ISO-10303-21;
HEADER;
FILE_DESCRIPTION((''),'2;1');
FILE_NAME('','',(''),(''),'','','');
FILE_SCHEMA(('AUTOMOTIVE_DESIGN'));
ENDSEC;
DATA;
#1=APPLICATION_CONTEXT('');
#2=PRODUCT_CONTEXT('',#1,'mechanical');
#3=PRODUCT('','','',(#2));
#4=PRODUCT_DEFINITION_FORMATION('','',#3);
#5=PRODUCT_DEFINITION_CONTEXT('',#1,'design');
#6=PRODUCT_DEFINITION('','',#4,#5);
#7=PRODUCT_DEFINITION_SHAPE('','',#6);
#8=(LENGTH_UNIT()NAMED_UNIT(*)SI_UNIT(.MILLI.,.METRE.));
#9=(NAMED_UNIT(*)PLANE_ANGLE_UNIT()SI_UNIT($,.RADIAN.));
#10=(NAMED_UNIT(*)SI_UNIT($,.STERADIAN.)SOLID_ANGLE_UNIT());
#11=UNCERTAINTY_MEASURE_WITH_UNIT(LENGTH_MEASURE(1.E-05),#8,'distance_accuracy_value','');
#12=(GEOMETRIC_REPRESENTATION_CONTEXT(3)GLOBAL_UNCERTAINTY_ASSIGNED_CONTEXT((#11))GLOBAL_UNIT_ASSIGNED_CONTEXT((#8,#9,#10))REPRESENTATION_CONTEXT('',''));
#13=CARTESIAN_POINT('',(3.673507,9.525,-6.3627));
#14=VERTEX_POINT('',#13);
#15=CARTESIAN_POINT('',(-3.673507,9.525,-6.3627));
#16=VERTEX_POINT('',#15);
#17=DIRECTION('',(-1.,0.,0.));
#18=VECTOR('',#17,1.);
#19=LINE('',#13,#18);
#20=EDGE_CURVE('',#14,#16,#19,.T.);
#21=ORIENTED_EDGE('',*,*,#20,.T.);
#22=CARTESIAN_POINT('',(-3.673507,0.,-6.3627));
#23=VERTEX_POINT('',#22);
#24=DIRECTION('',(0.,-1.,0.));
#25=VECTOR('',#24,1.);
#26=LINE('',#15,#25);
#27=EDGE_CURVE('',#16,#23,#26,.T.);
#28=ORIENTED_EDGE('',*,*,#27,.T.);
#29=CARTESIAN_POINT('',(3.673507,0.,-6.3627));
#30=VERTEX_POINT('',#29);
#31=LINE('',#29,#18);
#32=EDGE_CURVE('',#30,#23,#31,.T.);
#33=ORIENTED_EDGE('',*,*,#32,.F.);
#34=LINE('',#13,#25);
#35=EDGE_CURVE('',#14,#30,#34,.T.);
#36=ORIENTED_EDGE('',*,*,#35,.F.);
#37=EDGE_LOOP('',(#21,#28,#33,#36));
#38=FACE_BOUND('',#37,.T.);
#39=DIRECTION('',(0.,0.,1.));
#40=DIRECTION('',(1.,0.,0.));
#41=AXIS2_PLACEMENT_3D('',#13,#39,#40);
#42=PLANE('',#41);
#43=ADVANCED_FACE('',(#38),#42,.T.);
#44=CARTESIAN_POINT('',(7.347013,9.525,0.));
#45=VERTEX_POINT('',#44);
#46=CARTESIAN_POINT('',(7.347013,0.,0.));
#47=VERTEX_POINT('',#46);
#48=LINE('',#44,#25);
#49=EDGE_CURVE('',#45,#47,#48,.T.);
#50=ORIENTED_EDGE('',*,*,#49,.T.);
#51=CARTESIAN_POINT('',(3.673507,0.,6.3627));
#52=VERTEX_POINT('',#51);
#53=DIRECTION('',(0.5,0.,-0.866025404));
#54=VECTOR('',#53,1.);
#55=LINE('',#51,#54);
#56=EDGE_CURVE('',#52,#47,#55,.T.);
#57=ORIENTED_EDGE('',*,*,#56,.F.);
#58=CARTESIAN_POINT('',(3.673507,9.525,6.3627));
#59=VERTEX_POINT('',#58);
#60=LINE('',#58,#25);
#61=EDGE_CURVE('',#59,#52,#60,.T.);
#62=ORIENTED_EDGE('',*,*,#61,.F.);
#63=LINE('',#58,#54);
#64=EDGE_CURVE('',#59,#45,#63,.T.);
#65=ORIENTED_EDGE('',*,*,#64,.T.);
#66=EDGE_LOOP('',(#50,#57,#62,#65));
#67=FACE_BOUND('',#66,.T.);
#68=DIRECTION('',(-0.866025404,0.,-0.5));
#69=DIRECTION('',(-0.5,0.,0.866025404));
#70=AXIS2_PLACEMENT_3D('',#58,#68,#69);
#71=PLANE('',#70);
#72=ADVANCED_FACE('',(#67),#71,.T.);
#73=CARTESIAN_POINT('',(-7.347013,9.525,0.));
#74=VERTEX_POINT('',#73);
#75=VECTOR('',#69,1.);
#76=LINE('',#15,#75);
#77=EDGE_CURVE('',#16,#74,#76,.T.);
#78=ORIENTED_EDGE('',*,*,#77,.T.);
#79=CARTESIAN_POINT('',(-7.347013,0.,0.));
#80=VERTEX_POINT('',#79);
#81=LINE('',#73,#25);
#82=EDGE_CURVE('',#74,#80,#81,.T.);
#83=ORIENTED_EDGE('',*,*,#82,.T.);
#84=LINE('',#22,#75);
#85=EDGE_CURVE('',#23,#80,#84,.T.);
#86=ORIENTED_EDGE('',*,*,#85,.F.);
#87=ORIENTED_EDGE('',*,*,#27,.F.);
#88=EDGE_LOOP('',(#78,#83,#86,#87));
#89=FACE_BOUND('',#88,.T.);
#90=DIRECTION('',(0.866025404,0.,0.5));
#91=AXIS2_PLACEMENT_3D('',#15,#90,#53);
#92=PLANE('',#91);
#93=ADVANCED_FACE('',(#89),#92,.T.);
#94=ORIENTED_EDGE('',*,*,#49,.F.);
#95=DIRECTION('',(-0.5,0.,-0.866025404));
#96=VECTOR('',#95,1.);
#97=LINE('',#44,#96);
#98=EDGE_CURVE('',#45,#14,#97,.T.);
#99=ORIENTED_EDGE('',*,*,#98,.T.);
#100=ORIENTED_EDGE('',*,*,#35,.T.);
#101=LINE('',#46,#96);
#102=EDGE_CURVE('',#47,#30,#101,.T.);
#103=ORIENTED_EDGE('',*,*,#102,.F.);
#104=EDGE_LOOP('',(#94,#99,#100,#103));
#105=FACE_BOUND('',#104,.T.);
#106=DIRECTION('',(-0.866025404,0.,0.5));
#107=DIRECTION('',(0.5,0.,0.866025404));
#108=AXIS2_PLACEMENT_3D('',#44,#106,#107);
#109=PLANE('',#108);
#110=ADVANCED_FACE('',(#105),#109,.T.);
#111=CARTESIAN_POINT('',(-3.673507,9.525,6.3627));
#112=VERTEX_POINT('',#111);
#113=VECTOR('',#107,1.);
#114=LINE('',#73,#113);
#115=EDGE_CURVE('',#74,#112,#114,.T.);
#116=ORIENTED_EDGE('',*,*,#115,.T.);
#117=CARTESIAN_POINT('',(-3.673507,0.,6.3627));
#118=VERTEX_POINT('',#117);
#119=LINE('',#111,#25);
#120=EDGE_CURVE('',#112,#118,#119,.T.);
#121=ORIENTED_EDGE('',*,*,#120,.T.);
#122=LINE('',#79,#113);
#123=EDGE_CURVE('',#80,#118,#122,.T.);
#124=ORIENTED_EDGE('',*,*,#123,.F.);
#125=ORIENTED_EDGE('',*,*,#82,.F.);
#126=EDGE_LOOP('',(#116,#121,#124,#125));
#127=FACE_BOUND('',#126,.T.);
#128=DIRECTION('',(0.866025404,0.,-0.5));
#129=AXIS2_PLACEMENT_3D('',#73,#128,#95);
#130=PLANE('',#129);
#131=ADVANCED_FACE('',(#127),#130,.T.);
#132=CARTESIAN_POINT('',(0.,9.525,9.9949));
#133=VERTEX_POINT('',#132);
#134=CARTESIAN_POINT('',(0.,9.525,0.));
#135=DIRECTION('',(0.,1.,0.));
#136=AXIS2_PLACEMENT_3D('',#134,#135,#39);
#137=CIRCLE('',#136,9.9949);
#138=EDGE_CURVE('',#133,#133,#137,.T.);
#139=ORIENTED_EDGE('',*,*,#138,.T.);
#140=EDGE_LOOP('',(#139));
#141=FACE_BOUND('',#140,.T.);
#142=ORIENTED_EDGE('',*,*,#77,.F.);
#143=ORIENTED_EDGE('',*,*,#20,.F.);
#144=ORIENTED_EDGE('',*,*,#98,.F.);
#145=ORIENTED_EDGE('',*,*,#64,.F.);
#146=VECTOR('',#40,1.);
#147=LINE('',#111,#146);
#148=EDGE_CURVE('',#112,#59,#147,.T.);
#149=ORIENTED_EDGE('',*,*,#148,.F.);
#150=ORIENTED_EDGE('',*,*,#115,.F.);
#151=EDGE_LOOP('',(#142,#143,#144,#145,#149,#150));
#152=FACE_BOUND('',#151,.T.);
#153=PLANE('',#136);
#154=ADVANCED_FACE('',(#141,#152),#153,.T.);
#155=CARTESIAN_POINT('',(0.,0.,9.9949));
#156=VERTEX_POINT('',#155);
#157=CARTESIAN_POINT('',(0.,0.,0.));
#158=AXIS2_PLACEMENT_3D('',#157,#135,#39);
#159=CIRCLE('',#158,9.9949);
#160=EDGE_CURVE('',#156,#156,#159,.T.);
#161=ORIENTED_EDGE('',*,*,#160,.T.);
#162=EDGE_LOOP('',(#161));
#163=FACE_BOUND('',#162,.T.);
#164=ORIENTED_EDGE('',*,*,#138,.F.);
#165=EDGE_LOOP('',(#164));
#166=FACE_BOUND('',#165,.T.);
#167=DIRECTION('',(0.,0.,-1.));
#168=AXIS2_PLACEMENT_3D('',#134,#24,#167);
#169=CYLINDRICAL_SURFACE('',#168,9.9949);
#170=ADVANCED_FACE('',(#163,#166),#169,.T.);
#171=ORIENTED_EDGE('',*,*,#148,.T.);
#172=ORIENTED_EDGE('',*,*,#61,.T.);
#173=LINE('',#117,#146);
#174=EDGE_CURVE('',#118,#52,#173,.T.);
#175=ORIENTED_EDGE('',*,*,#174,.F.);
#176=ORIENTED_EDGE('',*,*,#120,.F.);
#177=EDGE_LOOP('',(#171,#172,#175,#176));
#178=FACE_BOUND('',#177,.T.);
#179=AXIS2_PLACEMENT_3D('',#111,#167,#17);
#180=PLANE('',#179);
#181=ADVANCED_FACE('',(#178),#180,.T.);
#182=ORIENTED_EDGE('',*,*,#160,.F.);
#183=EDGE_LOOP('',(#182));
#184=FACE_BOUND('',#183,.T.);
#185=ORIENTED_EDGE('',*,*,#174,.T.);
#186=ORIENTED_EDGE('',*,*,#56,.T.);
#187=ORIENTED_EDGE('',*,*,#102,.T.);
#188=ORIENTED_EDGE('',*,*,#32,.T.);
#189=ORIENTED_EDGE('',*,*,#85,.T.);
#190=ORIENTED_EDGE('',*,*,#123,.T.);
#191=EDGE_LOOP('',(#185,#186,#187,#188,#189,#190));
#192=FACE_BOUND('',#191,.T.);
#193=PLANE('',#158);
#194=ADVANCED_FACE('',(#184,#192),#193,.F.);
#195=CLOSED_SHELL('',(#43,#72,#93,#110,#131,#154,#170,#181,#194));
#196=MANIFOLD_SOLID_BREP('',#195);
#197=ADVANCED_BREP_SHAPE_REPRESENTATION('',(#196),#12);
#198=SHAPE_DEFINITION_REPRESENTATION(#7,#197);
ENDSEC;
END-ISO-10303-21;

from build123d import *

# Parameters (mm, degrees)
SKETCH1_R           = 9.9949
BOSS_EXTRUDE1_DEPTH = 9.525


with BuildPart() as part:
    # Sketch1 → Boss-Extrude1 (new body)
    with BuildSketch(Plane(origin=(0, 0, 0), x_dir=(1, 0, 0), z_dir=(0, 1, 0))):
        Circle(SKETCH1_R)
        Polygon((7.347013116, 0), (3.673506558, 6.3627), (-3.673506558, 6.3627), (-7.347013116, 0), (-3.673506558, -6.3627), (3.673506558, -6.3627), align=None, mode=Mode.SUBTRACT)
    extrude(amount=BOSS_EXTRUDE1_DEPTH)


solid = part.part
